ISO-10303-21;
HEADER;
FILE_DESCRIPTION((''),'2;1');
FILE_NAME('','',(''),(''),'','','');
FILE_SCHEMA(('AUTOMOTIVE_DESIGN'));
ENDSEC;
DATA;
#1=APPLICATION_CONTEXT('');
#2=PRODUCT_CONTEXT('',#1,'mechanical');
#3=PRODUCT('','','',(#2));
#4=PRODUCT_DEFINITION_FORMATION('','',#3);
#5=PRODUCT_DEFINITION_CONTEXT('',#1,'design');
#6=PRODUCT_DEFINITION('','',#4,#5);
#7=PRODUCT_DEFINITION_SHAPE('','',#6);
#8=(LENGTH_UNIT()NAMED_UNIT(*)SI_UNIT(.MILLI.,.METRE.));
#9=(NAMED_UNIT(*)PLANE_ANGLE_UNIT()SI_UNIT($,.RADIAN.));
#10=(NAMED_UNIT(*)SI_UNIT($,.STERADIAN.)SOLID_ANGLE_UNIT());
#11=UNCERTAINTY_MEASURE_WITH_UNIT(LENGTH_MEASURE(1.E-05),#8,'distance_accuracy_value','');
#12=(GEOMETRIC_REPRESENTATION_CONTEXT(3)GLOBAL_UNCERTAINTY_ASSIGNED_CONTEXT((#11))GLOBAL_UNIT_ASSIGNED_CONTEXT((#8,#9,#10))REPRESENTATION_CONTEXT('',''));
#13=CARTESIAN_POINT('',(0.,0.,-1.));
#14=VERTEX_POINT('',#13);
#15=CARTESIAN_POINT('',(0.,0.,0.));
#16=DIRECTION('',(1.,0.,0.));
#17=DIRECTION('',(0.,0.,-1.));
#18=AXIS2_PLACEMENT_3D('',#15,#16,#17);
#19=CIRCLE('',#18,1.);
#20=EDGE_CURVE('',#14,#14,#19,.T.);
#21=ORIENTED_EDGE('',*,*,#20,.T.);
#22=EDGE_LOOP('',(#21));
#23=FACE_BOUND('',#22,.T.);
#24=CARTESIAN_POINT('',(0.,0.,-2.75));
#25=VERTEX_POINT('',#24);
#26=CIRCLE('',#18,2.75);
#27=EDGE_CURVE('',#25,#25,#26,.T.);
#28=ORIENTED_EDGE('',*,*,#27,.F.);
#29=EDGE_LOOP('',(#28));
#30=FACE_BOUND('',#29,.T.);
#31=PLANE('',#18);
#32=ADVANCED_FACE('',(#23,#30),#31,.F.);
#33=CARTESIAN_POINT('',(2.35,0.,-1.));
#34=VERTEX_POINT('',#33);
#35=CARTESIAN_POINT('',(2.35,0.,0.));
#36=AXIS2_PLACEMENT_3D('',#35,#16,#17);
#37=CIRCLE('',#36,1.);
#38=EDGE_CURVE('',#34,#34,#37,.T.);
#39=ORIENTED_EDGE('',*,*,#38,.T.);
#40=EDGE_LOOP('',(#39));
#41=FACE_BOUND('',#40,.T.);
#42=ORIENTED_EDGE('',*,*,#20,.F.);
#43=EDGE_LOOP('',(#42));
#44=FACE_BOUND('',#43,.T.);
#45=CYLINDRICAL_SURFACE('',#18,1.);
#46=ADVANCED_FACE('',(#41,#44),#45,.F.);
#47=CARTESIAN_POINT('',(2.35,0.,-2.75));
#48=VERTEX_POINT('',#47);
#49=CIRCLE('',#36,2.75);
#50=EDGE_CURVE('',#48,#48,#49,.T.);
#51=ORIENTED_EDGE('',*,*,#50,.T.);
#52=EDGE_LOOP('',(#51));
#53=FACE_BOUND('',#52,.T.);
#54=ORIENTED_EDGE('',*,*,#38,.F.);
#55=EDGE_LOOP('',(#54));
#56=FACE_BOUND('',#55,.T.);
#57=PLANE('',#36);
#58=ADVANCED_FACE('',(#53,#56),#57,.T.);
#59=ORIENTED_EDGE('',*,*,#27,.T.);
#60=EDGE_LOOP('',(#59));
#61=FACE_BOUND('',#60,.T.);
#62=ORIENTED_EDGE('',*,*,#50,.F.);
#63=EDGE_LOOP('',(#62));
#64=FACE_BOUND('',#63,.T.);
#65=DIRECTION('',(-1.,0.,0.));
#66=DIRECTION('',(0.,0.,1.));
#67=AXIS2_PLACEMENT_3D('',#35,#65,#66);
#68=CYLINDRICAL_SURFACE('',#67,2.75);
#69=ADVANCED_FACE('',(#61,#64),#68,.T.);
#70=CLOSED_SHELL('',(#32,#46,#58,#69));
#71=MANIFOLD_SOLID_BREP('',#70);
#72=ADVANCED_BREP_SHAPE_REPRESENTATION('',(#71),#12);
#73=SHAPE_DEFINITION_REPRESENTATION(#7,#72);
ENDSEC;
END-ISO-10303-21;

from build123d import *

# Parameters (mm, degrees)
SKETCH_1_R          = 2.75
EXTRUDE_1_DEPTH     = 2.35
SKETCH_2_R          = 1
CUT_EXTRUDE_1_DEPTH = 5.543952024


with BuildPart() as part:
    # 草图1 → 凸台-拉伸1 (new body)
    with BuildSketch(Plane(origin=(0, 0, 0), x_dir=(0, 0, -1), z_dir=(1, 0, 0))):
        Circle(SKETCH_1_R)
    extrude(amount=EXTRUDE_1_DEPTH)

    # 草图2 → 切除-拉伸1 (cut, through all)
    with BuildSketch(Plane(origin=(2.35, 0, 0), x_dir=(0, 0, -1), z_dir=(1, 0, 0))):
        Circle(SKETCH_2_R)
    extrude(amount=-CUT_EXTRUDE_1_DEPTH, mode=Mode.SUBTRACT)


solid = part.part
